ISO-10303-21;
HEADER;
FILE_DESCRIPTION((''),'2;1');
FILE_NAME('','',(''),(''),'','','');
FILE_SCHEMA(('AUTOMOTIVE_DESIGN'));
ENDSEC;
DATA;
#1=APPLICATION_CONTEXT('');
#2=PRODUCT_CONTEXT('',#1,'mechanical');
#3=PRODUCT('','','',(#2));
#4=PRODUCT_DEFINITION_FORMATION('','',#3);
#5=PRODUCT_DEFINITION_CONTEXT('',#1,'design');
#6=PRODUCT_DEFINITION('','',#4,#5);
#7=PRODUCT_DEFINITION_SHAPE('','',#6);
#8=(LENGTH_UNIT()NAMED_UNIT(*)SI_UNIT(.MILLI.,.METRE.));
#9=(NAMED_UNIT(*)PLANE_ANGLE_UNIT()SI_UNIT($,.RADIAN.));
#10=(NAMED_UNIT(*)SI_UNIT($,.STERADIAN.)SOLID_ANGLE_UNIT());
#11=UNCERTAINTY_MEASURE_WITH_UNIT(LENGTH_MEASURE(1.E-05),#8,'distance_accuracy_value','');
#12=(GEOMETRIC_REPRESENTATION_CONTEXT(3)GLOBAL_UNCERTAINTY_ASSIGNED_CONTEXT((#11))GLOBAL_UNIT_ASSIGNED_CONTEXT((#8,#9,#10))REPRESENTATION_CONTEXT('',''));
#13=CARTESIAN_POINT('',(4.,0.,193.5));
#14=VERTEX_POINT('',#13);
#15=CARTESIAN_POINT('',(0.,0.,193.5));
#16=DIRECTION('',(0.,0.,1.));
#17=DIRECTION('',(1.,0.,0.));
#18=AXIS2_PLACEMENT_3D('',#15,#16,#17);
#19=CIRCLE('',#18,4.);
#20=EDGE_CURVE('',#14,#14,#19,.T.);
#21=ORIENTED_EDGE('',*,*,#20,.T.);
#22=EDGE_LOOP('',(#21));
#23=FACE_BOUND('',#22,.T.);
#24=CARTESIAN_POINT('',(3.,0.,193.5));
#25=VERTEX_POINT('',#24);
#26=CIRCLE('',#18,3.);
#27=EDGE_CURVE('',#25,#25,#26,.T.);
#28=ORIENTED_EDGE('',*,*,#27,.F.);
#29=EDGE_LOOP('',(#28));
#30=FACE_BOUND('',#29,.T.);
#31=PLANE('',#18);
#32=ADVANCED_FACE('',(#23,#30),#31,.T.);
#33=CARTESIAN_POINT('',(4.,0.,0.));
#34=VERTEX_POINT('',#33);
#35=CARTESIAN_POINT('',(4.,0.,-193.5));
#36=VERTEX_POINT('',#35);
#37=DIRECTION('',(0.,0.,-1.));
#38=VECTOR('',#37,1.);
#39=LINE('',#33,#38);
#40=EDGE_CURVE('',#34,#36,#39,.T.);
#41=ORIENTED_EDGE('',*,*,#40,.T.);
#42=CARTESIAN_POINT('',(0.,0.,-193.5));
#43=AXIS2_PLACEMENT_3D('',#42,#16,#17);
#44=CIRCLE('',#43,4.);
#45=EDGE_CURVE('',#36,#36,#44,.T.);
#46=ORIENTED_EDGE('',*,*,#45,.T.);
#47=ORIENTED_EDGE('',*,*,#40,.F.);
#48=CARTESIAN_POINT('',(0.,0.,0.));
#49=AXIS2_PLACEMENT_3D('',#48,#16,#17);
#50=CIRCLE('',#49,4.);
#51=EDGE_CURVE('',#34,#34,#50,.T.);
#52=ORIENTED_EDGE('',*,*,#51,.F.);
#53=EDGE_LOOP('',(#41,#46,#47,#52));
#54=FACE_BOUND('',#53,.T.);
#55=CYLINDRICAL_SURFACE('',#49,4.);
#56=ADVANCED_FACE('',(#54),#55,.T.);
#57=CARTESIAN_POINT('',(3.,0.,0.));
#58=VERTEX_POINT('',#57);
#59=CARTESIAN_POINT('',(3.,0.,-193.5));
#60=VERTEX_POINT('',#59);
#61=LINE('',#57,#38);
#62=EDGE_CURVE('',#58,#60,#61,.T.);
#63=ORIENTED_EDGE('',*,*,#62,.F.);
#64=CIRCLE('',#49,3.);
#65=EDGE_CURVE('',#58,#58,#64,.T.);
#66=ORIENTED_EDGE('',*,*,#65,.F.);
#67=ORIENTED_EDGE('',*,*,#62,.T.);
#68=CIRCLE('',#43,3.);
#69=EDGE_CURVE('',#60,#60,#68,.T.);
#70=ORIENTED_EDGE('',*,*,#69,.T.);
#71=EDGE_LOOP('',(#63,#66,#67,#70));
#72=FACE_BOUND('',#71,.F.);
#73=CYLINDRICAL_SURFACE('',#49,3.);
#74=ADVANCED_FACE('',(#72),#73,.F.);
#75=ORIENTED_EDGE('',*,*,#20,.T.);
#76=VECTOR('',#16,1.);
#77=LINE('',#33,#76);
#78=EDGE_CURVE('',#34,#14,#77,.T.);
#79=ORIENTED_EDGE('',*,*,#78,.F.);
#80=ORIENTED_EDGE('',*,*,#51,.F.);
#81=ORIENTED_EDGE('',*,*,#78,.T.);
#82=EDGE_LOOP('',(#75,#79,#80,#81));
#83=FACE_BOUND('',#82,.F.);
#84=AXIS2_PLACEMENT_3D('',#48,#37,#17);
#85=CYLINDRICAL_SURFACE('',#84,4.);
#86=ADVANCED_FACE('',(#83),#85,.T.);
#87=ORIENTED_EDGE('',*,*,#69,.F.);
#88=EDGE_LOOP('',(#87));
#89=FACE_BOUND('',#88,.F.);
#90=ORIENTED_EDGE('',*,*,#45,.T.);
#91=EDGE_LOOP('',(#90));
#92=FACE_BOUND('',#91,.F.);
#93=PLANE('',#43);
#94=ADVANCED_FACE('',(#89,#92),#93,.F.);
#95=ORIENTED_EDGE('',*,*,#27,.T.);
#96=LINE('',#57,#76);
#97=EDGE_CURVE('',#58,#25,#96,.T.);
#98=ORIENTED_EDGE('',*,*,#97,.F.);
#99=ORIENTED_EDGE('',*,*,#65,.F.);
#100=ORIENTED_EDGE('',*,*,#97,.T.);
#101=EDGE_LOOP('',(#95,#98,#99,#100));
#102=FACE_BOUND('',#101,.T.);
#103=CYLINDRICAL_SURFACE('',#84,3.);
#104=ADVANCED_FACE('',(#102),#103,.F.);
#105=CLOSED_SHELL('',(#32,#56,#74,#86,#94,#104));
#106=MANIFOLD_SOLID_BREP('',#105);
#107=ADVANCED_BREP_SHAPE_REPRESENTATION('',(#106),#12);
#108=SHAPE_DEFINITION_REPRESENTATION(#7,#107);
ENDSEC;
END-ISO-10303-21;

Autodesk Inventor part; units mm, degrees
ref_plane "YZ Plane" through (0, 0, 0) normal (1, 0, 0) x (0, 1, 0)
ref_plane "XZ Plane" through (0, 0, 0) normal (0, 1, 0) x (-1, 0, 0)
ref_plane "XY Plane" through (0, 0, 0) normal (0, 0, 1) x (1, 0, 0)
sketch "Náčrt1" plane through (0, 0, 0) normal (0, 0, 1) x (1, 0, 0)
  circle A0 centre (0, 0) radius 4
  circle A1 centre (0, 0) radius 3
  dimension "d0" = 8
  dimension "d1" = 6
extrude "Vysunutí1" add sketch "Náčrt1" along normal mid plane 387
properties part number "y_rod" material "Hliník 6061"
